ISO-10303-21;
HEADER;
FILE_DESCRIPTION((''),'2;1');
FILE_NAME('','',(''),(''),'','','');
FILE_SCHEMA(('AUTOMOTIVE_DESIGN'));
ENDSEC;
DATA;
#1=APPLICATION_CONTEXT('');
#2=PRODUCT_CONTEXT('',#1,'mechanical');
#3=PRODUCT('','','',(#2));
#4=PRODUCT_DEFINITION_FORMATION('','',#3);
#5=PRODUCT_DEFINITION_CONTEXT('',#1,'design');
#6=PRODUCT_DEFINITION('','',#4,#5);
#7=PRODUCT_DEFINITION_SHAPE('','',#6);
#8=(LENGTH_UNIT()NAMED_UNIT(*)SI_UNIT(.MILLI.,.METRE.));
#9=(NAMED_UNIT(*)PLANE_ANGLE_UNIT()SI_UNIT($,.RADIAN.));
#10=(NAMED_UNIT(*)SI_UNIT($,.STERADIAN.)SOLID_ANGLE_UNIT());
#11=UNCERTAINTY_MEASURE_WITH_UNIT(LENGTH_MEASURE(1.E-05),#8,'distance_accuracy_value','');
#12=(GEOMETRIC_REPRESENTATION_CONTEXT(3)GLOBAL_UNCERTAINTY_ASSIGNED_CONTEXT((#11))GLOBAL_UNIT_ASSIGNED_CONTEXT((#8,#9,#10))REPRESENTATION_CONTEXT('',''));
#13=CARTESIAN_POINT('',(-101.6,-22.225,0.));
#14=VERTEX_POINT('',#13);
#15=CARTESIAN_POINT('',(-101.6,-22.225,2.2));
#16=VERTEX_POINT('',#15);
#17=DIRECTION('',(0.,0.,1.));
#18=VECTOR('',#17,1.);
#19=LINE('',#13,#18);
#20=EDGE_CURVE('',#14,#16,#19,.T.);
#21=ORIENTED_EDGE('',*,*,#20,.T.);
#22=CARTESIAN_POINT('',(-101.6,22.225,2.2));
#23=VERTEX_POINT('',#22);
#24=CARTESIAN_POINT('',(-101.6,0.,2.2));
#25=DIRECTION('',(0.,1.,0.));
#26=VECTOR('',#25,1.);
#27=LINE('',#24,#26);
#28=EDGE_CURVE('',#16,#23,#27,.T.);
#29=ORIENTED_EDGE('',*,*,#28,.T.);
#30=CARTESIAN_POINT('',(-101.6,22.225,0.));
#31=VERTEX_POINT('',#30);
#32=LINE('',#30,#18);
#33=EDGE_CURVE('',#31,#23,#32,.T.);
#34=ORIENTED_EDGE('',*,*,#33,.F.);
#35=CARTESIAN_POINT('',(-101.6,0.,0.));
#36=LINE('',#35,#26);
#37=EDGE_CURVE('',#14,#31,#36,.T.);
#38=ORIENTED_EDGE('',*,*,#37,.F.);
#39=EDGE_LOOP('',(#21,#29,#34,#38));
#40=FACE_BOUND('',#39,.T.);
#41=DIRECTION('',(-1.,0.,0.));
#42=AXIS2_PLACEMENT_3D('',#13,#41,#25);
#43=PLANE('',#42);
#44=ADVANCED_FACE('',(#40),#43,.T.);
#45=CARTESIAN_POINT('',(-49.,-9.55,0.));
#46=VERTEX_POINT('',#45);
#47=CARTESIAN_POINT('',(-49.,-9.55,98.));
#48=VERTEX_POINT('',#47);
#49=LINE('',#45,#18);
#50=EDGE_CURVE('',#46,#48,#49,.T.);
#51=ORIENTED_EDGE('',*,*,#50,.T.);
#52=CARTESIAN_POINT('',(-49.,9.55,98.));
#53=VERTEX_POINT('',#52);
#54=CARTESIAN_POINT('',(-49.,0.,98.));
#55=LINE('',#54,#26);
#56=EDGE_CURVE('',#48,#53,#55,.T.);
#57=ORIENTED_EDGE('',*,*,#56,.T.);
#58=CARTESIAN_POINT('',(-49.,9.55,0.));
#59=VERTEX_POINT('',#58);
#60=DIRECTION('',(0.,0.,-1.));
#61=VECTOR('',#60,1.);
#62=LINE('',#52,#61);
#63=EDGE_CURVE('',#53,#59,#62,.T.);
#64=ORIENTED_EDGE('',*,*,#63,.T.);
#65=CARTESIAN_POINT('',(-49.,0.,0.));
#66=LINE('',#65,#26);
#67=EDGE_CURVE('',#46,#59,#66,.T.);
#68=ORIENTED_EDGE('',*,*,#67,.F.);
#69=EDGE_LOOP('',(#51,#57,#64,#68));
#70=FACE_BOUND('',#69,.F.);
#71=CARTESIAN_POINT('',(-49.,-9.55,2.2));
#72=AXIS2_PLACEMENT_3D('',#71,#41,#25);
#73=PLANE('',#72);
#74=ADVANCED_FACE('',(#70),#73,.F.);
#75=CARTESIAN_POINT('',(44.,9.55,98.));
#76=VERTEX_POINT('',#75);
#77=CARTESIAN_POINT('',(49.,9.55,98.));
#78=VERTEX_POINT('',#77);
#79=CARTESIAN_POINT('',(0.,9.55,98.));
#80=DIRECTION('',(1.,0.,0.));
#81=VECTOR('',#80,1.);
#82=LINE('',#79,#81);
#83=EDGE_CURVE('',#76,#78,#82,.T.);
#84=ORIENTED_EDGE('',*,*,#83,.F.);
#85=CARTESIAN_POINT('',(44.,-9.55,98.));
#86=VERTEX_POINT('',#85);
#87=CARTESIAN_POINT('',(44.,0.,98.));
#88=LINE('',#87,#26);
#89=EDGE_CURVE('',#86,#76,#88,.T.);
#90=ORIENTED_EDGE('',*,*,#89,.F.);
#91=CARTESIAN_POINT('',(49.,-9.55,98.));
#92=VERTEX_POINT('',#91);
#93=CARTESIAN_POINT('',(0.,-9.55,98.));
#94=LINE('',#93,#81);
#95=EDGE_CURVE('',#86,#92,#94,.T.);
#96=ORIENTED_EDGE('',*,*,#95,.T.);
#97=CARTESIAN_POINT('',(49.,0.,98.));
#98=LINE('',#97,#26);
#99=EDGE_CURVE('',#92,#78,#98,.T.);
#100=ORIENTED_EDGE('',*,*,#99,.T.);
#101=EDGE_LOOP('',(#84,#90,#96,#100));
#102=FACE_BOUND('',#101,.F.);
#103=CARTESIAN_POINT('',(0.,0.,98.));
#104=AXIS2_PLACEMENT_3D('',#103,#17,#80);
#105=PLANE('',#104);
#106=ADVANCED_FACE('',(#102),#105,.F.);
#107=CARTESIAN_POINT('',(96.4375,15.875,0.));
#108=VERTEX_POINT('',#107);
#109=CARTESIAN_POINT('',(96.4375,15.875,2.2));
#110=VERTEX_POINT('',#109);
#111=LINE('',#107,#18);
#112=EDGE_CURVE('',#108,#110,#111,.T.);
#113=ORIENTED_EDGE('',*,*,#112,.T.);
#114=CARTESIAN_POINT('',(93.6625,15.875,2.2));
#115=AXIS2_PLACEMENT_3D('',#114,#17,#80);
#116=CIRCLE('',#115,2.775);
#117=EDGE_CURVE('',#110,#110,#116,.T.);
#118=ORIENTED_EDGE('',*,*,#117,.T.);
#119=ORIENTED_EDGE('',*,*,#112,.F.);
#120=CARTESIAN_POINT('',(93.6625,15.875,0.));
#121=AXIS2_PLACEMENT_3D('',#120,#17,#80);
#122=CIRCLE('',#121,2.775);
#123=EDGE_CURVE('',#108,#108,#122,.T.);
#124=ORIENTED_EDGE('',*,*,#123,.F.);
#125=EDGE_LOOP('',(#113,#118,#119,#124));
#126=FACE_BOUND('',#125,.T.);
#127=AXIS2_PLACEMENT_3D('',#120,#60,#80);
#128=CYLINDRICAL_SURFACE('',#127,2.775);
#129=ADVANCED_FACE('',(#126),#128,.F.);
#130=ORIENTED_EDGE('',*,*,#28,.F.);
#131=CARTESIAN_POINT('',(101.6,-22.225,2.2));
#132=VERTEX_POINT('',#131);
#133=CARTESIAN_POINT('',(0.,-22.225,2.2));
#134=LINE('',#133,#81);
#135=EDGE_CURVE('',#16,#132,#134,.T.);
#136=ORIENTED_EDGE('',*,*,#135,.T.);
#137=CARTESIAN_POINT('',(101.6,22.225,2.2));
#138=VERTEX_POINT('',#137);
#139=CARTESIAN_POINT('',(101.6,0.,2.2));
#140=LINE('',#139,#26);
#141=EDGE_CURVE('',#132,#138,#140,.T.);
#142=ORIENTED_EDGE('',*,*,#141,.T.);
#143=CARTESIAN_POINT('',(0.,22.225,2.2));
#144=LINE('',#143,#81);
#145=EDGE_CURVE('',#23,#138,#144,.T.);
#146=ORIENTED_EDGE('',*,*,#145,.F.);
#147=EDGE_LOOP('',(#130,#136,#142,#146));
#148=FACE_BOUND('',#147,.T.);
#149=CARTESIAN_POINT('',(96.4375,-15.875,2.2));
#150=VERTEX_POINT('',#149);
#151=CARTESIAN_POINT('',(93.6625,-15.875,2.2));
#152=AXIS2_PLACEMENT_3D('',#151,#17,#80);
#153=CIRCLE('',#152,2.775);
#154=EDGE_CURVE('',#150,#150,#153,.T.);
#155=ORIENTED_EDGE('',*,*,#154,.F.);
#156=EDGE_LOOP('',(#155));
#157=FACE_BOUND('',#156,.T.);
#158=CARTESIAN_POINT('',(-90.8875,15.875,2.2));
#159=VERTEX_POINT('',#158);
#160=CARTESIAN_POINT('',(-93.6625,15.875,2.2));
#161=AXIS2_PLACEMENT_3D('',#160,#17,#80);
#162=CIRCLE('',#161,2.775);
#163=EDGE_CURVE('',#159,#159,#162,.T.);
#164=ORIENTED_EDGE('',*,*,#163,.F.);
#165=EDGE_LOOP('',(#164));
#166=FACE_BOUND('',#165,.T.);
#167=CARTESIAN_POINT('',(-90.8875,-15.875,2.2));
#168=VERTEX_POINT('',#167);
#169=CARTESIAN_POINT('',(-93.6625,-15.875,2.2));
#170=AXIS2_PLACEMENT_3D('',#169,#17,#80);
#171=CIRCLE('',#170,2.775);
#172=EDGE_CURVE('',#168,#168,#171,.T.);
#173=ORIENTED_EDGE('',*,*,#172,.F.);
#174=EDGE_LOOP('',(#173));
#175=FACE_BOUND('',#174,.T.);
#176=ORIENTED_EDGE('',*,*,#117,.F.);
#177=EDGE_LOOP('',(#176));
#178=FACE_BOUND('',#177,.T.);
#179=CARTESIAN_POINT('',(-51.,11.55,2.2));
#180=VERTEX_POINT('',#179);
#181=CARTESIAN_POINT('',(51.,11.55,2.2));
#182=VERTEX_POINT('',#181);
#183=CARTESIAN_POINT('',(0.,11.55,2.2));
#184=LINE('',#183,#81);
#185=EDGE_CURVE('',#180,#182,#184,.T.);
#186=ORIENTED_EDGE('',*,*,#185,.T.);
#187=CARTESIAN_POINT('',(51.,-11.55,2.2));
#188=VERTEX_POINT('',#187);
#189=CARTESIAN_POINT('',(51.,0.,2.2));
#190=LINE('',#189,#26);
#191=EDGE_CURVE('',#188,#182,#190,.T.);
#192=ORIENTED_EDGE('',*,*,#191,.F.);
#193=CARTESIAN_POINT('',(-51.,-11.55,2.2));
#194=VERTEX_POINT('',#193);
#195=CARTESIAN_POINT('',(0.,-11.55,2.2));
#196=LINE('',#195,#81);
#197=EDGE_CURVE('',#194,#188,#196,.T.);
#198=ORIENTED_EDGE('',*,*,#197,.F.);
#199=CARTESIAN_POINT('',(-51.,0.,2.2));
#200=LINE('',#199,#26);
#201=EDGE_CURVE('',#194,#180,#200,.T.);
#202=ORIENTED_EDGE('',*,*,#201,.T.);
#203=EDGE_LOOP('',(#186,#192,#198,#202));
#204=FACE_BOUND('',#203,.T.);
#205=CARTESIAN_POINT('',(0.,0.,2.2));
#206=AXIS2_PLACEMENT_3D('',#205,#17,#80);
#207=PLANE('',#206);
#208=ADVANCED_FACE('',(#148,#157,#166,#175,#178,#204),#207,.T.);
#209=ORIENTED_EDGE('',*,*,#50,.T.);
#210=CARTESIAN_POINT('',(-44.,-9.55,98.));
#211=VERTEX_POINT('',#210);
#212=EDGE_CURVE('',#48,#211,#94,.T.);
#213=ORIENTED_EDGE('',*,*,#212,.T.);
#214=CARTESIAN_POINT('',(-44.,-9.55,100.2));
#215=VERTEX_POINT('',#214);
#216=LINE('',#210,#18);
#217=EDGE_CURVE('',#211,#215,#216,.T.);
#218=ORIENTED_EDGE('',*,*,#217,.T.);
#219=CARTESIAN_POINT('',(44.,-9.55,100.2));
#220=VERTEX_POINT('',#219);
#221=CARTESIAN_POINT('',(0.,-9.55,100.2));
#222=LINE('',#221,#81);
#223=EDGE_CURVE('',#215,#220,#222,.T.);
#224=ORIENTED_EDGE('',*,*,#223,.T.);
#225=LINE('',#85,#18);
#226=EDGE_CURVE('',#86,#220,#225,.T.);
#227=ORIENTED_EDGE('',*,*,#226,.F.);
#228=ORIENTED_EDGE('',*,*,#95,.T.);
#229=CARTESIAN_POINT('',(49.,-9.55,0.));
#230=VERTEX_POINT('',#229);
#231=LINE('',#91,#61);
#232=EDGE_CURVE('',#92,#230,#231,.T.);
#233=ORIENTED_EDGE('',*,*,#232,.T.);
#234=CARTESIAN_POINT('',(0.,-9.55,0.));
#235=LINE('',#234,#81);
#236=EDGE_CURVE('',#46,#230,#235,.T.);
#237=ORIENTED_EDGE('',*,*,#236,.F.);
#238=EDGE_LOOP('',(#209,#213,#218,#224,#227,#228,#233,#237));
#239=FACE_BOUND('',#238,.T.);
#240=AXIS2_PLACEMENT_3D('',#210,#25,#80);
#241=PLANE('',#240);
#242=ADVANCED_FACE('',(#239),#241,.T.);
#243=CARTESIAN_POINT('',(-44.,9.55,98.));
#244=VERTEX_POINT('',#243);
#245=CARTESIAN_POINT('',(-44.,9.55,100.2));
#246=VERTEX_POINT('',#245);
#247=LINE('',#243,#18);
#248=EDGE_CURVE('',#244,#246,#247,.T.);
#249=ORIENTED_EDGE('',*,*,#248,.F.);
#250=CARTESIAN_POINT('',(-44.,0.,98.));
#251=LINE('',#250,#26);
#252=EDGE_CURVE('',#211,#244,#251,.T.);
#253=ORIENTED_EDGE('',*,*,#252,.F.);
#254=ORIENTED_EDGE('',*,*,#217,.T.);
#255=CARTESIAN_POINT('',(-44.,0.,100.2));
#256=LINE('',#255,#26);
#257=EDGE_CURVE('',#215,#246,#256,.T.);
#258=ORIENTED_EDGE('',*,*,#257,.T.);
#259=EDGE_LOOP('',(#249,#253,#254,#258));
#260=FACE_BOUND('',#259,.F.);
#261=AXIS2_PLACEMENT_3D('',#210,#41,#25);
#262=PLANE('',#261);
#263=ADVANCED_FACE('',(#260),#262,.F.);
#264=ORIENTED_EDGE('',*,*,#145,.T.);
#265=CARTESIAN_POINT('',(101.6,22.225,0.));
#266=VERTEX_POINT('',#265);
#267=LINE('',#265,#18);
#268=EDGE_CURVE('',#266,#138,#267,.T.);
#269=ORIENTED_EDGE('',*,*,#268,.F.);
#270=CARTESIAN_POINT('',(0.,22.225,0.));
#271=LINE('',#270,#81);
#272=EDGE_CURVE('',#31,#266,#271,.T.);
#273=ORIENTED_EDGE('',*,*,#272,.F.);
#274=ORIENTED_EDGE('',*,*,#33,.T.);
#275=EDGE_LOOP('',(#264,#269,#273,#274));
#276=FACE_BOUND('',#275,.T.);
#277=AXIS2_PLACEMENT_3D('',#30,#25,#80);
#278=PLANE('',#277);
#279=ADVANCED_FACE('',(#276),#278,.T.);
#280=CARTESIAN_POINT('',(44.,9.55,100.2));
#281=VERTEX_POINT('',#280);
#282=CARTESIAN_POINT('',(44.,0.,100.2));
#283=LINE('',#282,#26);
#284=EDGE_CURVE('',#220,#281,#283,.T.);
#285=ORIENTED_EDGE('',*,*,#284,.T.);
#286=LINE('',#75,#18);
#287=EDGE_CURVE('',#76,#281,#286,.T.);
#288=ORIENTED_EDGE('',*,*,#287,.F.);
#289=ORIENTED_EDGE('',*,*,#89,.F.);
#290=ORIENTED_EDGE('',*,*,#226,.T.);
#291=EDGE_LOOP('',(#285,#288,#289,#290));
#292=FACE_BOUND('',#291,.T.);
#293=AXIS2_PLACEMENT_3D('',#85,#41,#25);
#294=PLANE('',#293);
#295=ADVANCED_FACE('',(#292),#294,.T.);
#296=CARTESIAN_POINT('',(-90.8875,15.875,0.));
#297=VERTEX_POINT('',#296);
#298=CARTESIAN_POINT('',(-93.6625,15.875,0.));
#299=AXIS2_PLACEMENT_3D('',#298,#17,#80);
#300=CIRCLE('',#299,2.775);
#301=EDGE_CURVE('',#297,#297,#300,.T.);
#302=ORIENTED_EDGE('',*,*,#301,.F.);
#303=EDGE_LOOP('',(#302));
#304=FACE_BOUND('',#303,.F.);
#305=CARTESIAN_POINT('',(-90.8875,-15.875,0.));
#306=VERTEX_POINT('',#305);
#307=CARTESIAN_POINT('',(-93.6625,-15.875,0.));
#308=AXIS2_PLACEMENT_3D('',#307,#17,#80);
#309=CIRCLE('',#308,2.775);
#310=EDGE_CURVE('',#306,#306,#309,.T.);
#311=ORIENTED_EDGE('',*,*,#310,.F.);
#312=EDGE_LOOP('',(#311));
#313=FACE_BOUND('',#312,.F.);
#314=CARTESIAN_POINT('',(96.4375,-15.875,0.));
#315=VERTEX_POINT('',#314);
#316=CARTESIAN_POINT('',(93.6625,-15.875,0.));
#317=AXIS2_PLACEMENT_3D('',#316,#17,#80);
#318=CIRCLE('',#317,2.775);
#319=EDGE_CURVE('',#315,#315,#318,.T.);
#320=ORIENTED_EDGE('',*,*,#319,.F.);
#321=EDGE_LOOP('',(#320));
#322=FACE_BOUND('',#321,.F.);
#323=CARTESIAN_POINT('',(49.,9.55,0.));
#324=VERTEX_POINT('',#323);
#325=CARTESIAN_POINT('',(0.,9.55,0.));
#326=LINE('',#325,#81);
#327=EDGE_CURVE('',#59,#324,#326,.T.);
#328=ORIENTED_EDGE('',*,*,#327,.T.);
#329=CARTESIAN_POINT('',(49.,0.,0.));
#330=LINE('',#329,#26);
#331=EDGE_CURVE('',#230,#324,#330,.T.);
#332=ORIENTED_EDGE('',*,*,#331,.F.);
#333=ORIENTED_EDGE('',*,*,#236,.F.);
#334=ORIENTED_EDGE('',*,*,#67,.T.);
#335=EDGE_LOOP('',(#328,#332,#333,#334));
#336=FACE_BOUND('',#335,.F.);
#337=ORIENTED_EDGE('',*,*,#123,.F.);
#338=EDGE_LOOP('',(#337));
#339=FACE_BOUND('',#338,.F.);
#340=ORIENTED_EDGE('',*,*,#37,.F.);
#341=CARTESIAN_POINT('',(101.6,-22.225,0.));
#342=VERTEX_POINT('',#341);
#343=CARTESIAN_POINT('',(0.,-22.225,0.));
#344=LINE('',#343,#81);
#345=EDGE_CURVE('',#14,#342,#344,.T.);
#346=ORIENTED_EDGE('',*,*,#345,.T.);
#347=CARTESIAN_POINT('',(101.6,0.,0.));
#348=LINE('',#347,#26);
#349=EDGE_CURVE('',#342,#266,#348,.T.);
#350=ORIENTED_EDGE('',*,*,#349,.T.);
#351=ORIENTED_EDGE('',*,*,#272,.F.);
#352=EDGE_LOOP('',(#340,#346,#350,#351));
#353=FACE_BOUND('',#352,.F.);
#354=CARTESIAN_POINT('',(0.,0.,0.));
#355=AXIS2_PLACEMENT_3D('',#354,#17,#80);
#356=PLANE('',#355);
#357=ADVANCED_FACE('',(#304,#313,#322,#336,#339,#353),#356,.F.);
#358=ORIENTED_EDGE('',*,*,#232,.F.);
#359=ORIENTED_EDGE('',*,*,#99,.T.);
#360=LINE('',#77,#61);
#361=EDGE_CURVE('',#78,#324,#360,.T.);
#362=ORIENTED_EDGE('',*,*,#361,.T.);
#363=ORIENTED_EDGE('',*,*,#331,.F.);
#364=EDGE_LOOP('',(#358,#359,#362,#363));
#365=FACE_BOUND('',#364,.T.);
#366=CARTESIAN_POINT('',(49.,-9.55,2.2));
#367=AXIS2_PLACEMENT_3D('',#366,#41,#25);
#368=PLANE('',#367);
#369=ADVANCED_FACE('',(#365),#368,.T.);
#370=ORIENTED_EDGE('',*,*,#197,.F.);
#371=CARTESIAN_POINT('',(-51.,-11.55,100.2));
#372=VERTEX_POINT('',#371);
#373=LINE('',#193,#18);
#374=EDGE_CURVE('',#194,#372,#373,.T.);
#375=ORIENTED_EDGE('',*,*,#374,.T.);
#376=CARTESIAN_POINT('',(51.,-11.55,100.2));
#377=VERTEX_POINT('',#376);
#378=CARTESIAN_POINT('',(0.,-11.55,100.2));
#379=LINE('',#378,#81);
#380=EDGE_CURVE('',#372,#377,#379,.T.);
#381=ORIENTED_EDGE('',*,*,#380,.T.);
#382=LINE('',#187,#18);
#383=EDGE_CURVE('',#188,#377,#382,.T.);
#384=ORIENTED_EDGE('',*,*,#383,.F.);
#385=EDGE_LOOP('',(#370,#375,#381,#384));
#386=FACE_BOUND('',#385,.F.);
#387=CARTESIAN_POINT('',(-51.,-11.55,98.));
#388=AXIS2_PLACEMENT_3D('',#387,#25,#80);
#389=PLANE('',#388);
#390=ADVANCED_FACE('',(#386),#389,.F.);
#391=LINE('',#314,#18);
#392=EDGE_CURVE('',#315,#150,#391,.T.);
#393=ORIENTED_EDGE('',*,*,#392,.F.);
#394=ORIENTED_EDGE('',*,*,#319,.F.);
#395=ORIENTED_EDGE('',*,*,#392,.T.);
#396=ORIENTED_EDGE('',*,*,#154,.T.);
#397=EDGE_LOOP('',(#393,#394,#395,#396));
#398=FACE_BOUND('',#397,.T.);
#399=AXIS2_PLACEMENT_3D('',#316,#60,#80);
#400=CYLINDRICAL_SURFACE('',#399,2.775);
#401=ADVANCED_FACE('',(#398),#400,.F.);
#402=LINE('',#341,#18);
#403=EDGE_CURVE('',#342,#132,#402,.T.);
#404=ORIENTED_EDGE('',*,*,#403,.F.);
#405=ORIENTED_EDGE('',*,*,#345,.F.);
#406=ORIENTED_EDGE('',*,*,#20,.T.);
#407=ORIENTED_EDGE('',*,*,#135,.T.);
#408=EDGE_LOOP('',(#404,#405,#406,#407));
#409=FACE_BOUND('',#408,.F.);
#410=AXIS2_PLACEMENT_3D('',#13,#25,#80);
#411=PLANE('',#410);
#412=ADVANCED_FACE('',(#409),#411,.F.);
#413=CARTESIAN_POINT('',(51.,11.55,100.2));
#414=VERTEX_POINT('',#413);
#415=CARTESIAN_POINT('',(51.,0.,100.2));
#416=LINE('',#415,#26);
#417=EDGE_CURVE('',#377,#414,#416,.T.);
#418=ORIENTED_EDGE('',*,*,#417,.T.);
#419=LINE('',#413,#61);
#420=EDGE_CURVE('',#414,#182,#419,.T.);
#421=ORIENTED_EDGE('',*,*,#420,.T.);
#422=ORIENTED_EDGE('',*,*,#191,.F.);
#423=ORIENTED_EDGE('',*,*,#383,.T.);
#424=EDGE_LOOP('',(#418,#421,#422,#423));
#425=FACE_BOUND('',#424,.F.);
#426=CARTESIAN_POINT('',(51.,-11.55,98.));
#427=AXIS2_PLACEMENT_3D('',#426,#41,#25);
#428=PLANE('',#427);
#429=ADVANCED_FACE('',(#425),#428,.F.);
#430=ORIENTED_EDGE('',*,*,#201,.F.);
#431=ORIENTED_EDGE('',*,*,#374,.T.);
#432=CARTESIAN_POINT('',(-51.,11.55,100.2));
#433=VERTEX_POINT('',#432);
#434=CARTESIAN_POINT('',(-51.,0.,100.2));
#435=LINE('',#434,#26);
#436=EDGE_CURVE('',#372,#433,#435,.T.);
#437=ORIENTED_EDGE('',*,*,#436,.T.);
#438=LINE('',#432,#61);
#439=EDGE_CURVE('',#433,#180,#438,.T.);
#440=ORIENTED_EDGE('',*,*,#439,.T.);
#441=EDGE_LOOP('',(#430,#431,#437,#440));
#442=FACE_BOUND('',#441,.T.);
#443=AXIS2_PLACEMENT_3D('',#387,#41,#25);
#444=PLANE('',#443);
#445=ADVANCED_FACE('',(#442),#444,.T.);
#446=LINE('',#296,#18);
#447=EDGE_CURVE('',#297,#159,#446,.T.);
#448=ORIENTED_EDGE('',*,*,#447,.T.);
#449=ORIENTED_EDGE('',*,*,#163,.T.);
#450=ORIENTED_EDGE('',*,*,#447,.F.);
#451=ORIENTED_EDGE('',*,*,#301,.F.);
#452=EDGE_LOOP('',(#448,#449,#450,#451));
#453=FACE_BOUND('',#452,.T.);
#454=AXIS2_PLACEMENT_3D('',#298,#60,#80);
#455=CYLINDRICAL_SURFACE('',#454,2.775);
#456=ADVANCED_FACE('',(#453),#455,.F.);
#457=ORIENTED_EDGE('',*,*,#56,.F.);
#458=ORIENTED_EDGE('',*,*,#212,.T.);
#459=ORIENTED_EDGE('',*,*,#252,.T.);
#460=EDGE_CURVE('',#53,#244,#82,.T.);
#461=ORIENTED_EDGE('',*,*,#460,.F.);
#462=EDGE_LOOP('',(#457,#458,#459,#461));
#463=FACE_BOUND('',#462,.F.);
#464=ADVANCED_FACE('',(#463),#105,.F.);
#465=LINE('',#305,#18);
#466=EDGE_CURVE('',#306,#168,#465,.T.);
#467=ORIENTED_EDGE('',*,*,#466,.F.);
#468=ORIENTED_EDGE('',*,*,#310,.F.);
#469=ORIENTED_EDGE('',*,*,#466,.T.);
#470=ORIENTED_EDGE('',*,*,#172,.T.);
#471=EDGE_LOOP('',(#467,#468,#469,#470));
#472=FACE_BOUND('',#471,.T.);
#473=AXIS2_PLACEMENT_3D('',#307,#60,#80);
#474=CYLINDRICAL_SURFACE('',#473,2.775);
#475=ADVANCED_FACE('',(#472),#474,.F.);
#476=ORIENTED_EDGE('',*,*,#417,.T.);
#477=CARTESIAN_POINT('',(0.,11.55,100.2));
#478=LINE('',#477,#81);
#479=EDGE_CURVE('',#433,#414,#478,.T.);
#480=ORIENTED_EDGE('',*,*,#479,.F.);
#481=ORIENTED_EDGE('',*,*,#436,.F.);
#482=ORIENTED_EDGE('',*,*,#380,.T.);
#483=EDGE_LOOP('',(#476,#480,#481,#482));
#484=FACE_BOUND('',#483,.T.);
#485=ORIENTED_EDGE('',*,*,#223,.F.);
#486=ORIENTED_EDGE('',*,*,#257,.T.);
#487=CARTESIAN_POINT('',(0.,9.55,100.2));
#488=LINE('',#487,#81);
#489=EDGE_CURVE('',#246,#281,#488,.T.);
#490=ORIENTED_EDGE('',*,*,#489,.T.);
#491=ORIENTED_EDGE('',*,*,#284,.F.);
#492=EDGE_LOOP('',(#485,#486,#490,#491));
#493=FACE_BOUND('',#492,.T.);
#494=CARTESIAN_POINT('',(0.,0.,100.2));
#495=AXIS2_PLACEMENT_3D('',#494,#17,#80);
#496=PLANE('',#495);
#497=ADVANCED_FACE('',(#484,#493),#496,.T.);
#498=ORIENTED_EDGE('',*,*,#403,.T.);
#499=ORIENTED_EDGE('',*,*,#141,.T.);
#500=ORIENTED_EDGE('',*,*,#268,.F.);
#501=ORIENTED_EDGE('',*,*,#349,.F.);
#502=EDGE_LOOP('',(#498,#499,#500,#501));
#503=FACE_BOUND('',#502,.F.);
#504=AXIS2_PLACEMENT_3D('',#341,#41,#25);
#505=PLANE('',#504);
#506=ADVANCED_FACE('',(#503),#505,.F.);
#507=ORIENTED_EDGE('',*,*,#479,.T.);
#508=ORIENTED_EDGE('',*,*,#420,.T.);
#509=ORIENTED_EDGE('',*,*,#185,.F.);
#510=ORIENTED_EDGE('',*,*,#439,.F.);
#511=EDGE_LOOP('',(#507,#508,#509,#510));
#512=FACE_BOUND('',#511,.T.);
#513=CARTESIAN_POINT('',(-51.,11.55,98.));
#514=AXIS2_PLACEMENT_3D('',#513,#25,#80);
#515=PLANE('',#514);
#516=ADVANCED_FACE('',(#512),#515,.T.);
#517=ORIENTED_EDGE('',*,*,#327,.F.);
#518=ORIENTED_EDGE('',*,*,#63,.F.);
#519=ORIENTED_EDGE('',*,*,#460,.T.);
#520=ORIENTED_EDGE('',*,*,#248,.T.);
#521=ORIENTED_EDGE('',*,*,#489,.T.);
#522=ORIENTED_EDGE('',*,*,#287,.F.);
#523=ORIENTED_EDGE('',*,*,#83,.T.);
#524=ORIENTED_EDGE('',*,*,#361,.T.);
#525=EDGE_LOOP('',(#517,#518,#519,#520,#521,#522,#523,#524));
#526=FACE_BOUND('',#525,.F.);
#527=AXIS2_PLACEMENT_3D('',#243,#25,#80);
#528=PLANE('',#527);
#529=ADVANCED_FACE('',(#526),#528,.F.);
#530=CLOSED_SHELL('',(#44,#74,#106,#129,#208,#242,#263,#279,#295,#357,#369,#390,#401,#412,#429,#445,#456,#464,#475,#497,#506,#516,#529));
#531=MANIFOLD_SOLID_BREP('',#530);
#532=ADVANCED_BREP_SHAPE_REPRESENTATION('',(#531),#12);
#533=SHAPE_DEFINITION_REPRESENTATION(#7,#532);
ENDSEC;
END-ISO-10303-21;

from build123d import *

# Parameters (mm, degrees)
SKETCH_W      = 203.2
SKETCH_H      = 44.45
SKETCH_R      = 2.775
SKETCH_W_2    = 98
SKETCH_H_2    = 19.1
PAD_DEPTH     = 2.2
SKETCH001_W   = 102
SKETCH001_H   = 23.1
SKETCH001_W_2 = 98
SKETCH001_H_2 = 19.1
PAD001_DEPTH  = 95.8
SKETCH002_W   = 102
SKETCH002_H   = 23.1
SKETCH002_W_2 = 88
SKETCH002_H_2 = 19.1
PAD002_DEPTH  = 2.2


with BuildPart() as part:
    # Sketch → Pad (new body)
    with BuildSketch(Plane.XY):
        Rectangle(SKETCH_W, SKETCH_H)
        with Locations((-93.6625, 15.875)):
            Circle(SKETCH_R, mode=Mode.SUBTRACT)
        with Locations((-93.6625, -15.875)):
            Circle(SKETCH_R, mode=Mode.SUBTRACT)
        with Locations((93.6625, 15.875)):
            Circle(SKETCH_R, mode=Mode.SUBTRACT)
        with Locations((93.6625, -15.875)):
            Circle(SKETCH_R, mode=Mode.SUBTRACT)
        Rectangle(SKETCH_W_2, SKETCH_H_2, mode=Mode.SUBTRACT)
    extrude(amount=PAD_DEPTH)

    # Sketch001 (on Face14 of Pad) → Pad001 (join)
    with BuildSketch(Plane.XY.offset(2.2)):
        Rectangle(SKETCH001_W, SKETCH001_H)
        Rectangle(SKETCH001_W_2, SKETCH001_H_2, mode=Mode.SUBTRACT)
    extrude(amount=PAD001_DEPTH)

    # Sketch002 (on Face23 of Pad001) → Pad002 (join)
    with BuildSketch(Plane.XY.offset(98)):
        Rectangle(SKETCH002_W, SKETCH002_H)
        Rectangle(SKETCH002_W_2, SKETCH002_H_2, mode=Mode.SUBTRACT)
    extrude(amount=PAD002_DEPTH)


solid = part.part
